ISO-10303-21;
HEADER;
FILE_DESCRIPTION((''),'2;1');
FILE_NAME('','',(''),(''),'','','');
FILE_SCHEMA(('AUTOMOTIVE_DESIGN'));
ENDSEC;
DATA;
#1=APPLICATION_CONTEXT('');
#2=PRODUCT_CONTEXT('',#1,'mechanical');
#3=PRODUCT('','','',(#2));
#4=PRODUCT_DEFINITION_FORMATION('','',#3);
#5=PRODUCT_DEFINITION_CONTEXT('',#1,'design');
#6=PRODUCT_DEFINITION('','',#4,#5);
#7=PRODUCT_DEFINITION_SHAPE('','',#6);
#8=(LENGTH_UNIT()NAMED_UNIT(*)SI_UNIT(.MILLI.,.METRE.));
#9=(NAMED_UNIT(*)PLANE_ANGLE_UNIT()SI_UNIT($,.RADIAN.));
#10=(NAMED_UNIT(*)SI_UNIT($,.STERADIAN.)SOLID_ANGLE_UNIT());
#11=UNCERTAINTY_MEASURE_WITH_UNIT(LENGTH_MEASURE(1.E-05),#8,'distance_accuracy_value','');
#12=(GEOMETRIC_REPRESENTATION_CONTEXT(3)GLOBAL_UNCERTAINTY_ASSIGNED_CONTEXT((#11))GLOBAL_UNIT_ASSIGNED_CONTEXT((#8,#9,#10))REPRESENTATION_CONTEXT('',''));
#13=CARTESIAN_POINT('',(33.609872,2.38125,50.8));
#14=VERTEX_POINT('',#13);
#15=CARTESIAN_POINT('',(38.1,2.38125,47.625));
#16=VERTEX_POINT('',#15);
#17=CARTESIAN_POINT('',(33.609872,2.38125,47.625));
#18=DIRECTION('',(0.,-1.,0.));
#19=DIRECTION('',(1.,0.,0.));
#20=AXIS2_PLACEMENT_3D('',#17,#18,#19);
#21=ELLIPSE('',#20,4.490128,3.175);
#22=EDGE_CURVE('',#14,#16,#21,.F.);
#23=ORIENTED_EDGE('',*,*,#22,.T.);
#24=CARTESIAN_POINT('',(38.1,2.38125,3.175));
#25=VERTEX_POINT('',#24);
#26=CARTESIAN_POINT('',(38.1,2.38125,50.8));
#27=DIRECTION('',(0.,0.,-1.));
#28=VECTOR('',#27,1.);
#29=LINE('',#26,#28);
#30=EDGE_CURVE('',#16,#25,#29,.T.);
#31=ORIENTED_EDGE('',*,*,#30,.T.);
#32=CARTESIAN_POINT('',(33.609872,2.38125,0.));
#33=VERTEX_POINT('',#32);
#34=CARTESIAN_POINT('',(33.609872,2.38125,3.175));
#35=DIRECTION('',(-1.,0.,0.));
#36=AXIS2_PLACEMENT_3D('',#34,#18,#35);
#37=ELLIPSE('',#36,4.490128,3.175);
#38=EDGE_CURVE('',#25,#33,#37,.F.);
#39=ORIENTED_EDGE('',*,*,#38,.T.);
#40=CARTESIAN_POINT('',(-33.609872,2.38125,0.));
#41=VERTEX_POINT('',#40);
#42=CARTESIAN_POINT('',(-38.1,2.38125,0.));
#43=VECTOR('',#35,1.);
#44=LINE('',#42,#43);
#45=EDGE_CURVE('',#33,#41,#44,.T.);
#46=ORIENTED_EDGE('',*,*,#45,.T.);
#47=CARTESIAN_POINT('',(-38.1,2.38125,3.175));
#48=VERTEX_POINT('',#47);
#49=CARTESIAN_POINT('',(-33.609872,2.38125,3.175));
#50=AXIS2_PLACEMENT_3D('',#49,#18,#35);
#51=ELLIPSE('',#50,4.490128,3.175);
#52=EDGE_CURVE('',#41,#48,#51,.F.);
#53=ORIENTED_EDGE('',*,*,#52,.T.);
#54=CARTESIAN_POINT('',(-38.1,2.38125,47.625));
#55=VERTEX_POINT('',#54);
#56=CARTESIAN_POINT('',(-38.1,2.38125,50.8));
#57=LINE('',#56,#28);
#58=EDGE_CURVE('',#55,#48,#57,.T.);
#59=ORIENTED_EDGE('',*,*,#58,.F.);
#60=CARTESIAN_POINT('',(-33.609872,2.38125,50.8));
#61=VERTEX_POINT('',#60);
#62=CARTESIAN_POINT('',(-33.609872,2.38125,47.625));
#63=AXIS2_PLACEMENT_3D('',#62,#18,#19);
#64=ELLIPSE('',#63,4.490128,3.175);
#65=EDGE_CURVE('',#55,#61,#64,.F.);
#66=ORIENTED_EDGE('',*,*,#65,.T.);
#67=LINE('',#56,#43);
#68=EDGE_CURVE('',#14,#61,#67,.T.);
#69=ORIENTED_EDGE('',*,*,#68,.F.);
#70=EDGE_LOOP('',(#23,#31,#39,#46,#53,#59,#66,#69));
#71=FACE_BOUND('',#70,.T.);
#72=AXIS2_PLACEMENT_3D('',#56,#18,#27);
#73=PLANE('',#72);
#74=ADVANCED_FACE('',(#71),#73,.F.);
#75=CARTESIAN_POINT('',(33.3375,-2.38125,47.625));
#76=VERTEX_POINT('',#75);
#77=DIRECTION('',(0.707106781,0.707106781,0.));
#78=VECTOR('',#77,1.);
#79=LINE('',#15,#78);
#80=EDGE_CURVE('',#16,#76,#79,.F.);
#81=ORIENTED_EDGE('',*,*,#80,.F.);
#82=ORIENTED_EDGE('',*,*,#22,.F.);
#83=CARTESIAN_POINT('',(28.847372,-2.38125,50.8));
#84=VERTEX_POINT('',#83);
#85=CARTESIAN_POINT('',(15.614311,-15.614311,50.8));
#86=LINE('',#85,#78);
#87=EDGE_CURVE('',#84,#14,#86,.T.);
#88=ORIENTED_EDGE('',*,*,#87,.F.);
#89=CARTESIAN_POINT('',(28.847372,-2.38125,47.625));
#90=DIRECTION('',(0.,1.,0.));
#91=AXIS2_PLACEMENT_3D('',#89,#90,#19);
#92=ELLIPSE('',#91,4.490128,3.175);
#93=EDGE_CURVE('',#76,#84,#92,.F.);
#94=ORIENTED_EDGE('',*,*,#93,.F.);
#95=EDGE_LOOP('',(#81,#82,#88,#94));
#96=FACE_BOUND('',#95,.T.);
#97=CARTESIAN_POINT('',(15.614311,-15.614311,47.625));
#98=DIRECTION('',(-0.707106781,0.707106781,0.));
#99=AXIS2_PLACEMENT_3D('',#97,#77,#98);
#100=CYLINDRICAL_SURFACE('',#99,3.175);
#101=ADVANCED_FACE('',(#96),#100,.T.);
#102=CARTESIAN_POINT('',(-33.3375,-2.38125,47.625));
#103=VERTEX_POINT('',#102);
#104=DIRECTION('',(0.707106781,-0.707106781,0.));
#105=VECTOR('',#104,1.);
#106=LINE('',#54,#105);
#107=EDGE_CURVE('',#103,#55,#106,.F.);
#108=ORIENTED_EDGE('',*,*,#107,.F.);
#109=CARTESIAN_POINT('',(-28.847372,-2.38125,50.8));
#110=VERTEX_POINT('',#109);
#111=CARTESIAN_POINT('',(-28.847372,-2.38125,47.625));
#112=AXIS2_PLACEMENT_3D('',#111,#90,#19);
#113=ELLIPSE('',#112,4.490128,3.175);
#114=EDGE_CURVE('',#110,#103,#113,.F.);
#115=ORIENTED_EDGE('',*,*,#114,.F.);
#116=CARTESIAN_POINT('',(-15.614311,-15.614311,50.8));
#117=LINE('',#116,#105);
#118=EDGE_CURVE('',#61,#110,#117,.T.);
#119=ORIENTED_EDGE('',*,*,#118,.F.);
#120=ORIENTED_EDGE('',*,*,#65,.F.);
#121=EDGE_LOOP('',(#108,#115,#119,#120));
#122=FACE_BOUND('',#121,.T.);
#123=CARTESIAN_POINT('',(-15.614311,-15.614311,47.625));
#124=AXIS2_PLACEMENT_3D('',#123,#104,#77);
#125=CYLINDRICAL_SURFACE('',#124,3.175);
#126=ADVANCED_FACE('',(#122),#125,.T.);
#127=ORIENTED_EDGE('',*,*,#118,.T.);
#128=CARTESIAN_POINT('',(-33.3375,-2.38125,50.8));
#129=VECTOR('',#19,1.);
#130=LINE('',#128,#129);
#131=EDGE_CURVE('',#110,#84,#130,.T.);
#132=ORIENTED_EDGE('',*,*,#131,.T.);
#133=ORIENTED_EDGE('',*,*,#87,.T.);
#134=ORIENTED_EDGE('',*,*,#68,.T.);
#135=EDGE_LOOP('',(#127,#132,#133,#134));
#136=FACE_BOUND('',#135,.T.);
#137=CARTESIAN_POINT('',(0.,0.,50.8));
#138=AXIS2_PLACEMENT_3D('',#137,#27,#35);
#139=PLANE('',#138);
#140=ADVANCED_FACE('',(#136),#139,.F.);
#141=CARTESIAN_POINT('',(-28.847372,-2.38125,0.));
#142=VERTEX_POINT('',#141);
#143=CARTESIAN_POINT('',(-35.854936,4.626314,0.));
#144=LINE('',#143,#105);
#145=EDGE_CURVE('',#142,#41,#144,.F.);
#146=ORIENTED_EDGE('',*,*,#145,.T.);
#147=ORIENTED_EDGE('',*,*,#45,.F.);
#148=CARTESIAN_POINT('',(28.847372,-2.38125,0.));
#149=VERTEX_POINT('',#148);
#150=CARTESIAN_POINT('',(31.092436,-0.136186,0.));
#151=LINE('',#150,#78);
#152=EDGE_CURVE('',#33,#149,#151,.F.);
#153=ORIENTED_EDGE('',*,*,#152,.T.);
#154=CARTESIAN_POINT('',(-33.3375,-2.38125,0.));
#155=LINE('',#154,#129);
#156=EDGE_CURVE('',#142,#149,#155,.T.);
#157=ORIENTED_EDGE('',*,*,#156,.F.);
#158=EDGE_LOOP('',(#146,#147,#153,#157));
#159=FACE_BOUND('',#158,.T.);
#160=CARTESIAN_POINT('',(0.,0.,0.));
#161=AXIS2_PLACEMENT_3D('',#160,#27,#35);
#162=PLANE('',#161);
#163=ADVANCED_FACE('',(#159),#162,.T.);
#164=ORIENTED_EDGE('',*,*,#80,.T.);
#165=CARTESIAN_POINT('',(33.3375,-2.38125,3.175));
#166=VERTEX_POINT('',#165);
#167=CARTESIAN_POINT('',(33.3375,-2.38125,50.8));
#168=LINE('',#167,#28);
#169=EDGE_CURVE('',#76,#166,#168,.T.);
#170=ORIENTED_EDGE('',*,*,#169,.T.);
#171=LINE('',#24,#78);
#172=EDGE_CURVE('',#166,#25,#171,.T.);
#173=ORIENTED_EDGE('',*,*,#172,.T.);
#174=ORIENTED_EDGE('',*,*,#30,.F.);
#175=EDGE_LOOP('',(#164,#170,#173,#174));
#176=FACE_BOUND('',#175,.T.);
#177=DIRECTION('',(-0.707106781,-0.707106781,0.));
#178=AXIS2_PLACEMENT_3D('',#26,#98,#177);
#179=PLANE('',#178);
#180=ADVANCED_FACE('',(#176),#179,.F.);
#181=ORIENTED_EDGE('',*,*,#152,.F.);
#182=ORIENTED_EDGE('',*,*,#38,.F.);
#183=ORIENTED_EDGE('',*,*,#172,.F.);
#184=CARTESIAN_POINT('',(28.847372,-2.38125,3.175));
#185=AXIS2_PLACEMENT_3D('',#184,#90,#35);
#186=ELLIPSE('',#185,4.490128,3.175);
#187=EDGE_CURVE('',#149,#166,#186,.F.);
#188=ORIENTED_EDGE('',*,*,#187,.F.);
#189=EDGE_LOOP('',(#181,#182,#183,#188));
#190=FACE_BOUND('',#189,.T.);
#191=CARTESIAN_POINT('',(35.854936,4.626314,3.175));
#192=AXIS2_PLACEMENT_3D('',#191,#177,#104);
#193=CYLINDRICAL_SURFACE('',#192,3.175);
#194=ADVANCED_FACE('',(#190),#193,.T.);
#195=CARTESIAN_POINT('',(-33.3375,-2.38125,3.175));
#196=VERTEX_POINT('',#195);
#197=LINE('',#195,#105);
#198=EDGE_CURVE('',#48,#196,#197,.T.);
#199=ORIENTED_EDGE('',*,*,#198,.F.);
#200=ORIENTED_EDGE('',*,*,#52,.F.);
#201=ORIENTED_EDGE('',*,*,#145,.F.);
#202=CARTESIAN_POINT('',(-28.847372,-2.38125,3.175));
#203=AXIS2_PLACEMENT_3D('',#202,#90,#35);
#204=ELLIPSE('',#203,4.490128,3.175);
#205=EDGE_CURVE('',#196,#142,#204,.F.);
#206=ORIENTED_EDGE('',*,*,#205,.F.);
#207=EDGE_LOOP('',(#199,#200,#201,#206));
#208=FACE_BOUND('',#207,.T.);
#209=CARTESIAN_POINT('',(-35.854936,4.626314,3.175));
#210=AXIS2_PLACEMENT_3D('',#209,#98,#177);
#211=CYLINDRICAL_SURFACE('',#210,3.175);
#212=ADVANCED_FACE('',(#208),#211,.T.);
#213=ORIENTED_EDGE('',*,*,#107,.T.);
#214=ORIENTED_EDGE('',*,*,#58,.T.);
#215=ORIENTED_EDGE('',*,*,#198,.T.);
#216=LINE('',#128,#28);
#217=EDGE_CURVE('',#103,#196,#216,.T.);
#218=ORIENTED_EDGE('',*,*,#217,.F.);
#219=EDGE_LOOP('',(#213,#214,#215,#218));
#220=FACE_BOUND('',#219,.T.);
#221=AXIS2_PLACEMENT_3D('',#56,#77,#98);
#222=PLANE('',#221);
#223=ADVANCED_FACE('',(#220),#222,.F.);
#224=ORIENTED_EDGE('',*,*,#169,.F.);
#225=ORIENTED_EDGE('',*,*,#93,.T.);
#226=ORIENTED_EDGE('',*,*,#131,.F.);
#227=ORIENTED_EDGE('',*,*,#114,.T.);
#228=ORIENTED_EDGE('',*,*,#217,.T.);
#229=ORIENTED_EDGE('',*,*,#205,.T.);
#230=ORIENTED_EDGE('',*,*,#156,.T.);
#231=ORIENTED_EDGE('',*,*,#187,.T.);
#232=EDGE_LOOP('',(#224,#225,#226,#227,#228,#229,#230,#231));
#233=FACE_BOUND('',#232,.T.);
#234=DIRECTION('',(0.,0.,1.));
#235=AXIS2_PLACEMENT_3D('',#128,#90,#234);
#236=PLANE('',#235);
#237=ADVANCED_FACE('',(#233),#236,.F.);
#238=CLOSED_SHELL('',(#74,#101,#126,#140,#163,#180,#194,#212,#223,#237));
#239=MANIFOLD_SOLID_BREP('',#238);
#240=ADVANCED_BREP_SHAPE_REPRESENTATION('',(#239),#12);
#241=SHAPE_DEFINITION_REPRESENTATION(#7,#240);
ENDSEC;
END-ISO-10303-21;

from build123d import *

# Parameters (mm, degrees)
BOSS_EXTRUDE1_DEPTH = 50.8
FILLET1_R           = 3.175


with BuildPart() as part:
    # Sketch1 → Boss-Extrude1 (new body)
    with BuildSketch(Plane.XY):
        Polygon((-38.1, 2.38125), (38.1, 2.38125), (33.3375, -2.38125), (-33.3375, -2.38125), align=None)
    extrude(amount=BOSS_EXTRUDE1_DEPTH)

    # Fillet1
    fillet1_edges = [part.edges().sort_by_distance(p)[0] for p in [
        (35.71875, 0, 50.8),
        (-35.71875, 0, 50.8),
        (35.71875, 0, 0),
        (-35.71875, 0, 0),
    ]]
    fillet(fillet1_edges, radius=FILLET1_R)


solid = part.part
